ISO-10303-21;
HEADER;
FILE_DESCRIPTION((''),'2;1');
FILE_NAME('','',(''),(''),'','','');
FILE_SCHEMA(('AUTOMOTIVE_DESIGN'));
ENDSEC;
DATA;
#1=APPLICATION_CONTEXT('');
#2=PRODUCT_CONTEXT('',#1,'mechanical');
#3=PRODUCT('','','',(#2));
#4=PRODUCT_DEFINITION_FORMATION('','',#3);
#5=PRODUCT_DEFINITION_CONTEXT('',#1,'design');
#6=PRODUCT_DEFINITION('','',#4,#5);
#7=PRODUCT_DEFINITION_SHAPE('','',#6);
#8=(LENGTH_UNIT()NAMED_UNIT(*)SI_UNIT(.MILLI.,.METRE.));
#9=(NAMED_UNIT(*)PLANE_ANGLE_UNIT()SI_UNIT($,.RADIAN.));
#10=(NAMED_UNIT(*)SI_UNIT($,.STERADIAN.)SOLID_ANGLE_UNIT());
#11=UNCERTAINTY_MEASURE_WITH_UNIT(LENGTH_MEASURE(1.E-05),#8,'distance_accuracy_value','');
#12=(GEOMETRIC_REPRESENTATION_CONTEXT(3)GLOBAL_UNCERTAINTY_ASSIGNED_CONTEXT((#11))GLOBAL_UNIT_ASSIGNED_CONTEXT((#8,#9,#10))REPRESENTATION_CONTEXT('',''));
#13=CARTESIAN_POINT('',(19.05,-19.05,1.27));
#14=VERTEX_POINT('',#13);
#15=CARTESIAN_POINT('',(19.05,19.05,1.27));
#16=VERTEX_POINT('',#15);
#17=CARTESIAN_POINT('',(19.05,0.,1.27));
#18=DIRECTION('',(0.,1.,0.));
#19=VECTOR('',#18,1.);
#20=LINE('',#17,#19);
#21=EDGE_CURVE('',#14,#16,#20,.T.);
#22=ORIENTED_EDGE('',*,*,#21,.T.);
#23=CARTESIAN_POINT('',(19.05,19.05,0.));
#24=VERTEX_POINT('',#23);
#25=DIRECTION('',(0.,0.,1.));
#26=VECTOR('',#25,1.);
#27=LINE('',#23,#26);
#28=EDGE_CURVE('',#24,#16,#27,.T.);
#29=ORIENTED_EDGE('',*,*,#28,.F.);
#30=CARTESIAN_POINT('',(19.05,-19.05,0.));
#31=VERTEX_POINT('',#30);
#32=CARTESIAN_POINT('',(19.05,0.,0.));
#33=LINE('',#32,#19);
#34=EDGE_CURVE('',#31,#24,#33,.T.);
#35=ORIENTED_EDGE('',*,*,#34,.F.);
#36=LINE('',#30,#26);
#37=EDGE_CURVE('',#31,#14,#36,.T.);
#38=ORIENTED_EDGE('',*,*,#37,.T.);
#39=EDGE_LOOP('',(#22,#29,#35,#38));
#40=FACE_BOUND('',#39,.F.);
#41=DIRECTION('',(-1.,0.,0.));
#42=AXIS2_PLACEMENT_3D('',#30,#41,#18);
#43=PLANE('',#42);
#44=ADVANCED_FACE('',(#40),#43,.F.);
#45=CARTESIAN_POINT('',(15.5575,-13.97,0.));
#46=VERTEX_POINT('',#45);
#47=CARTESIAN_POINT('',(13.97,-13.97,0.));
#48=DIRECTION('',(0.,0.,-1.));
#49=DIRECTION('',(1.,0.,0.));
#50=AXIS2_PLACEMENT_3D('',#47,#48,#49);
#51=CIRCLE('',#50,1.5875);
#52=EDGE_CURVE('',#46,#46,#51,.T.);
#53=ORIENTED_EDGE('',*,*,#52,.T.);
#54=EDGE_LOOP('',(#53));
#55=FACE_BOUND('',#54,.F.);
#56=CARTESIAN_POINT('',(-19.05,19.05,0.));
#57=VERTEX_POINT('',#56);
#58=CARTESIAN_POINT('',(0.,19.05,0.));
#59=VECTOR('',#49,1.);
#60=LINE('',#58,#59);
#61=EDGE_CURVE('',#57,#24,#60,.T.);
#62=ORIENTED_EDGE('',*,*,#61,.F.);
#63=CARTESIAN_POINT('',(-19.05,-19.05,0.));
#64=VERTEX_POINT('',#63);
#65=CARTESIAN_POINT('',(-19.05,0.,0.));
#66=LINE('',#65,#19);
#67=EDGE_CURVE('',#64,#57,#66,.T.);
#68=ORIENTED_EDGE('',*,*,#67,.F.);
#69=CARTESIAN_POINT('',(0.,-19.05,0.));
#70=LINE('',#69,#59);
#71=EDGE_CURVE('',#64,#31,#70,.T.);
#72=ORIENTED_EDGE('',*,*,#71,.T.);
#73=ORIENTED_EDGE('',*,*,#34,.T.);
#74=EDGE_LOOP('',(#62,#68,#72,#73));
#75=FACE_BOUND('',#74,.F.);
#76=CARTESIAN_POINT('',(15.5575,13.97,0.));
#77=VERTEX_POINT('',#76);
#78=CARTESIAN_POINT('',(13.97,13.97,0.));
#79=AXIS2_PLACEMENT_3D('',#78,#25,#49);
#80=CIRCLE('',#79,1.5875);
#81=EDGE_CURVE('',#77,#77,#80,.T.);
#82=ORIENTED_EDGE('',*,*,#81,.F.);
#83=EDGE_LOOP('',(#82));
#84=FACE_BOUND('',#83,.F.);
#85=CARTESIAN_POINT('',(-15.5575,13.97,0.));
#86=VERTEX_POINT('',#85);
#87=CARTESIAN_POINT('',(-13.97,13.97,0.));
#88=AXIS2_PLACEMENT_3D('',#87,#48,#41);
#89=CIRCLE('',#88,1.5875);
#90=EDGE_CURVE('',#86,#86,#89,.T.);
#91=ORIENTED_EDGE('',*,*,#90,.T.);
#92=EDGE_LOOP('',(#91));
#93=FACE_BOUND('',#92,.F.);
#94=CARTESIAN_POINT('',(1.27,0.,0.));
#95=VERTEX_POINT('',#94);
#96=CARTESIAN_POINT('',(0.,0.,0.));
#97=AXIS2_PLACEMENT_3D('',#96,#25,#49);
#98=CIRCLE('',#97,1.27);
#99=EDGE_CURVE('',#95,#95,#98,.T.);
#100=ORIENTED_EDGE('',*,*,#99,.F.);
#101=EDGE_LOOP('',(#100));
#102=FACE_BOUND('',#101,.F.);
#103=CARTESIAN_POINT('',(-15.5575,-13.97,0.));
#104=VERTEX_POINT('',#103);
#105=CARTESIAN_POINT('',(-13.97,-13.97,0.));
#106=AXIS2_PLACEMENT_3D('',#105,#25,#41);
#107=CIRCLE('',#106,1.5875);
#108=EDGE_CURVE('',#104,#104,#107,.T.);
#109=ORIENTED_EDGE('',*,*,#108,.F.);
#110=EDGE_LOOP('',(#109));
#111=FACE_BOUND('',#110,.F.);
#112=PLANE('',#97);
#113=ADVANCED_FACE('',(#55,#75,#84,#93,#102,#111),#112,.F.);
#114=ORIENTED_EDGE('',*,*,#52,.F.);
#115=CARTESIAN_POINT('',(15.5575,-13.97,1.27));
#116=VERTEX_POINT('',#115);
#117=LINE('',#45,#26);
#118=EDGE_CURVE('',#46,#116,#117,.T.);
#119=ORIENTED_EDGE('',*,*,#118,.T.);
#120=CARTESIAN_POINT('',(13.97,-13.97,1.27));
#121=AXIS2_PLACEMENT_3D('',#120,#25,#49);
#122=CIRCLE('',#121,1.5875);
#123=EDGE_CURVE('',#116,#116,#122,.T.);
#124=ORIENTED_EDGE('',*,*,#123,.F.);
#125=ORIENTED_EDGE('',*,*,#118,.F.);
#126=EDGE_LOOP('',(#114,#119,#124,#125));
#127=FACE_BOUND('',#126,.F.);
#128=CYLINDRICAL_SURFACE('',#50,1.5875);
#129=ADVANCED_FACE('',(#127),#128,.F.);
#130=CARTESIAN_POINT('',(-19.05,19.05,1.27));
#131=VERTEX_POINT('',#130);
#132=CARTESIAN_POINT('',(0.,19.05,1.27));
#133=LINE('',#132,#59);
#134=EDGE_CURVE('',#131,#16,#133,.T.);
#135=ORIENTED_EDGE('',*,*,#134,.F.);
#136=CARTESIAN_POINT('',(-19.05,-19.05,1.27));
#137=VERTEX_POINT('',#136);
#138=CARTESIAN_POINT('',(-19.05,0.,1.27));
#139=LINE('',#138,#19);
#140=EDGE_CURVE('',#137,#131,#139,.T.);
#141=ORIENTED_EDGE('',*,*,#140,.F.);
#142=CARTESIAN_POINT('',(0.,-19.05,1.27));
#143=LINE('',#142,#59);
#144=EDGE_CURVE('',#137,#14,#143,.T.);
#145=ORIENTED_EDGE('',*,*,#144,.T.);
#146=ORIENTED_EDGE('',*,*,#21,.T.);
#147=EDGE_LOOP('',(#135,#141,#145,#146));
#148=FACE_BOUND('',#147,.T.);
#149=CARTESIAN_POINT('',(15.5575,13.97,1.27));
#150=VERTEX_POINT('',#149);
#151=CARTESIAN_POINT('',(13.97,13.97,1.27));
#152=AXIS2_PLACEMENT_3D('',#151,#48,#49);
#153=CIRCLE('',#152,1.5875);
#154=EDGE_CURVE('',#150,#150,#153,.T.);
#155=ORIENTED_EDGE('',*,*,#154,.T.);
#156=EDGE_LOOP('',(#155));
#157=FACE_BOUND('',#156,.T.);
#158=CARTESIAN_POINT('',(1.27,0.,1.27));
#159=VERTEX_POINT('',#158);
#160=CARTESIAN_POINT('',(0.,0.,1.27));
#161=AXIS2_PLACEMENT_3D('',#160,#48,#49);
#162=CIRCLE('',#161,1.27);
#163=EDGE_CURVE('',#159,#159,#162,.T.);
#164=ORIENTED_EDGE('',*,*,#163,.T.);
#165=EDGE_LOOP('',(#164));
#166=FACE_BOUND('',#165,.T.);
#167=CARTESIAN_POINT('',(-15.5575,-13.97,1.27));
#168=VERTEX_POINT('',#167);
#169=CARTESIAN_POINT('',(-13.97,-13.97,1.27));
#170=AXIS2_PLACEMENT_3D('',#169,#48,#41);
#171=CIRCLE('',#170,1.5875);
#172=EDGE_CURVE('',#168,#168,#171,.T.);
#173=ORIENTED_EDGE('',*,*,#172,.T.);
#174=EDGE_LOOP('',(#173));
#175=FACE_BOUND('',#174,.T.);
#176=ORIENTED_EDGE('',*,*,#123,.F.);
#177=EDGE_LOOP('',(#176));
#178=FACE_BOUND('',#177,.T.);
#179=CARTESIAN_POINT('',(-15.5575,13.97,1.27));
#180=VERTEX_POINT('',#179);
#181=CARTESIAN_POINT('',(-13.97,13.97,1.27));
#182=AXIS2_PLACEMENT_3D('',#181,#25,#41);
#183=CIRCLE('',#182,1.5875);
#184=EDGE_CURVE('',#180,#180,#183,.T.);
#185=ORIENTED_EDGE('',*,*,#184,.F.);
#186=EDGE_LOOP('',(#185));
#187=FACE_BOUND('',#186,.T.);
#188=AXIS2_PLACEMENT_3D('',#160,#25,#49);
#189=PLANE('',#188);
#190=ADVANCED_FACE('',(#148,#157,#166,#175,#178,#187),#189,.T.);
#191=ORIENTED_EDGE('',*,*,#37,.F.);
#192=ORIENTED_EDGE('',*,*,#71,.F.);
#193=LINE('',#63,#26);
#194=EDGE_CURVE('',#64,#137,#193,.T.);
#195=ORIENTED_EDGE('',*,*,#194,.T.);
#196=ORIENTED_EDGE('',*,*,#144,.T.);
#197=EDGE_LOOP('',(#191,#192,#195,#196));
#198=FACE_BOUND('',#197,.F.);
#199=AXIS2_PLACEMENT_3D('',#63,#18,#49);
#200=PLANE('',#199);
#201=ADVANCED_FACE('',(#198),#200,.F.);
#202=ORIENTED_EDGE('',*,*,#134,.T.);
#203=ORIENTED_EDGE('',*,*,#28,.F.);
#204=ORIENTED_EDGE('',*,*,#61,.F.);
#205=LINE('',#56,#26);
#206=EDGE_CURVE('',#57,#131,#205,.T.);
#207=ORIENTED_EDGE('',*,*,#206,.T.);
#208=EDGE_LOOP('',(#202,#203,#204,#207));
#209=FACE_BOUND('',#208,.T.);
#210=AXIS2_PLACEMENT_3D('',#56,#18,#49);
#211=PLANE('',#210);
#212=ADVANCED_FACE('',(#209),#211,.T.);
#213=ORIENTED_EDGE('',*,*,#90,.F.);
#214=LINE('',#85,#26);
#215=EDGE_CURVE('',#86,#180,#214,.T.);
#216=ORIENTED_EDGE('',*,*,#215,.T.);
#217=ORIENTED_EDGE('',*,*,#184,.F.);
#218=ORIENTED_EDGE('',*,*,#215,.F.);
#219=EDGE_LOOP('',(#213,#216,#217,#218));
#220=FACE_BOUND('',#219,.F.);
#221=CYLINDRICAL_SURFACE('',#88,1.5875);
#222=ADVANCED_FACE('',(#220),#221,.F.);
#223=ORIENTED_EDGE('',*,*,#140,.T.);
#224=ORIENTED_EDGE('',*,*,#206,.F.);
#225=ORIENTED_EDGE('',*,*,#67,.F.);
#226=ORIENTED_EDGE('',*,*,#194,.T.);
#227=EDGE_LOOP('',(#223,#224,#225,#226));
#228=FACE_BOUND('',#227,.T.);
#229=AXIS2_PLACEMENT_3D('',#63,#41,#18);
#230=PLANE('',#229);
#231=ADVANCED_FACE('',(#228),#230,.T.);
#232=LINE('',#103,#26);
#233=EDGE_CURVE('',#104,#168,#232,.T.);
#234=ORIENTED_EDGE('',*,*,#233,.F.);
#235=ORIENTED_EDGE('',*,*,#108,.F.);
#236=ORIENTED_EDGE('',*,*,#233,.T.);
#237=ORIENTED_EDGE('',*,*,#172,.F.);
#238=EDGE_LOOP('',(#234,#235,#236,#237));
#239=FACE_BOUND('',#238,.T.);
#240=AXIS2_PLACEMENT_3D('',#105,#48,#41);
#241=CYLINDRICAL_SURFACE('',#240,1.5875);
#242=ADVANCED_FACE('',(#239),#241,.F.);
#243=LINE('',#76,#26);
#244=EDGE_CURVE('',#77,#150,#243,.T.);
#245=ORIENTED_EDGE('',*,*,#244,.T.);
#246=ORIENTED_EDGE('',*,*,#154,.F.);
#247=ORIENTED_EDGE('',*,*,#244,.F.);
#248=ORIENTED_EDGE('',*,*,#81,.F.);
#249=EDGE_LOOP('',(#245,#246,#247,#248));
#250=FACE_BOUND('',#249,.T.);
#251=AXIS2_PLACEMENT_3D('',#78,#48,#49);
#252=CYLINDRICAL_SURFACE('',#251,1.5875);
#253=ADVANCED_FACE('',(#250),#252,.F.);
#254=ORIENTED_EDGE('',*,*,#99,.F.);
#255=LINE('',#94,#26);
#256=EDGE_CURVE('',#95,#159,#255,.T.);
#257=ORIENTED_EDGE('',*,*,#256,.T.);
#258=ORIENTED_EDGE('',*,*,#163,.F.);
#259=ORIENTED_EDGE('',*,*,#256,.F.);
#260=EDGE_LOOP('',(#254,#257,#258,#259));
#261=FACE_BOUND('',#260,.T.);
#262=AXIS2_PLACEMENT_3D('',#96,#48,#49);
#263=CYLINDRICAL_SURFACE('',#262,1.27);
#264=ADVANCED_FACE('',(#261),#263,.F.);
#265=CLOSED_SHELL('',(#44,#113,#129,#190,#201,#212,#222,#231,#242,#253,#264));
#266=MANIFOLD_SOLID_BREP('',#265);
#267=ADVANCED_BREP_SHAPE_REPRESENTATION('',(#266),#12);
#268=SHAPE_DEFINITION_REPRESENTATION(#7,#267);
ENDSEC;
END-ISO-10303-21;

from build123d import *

# Parameters (mm, degrees)
F0_W     = 38.1
F0_H     = 38.1
F1_DEPTH = 1.27
F2_R     = 1.27
F3_DEPTH = 25.4
F4_R     = 1.5875
F5_DEPTH = 25.4


with BuildPart() as f1:
    # F0 (on Top) → F1 (new body)
    with BuildSketch(Plane.XY):
        Rectangle(F0_W, F0_H)
    extrude(amount=F1_DEPTH)

    # F2 (on Top) → F3 (cut)
    with BuildSketch(Plane.XY):
        Circle(F2_R)
    extrude(amount=F3_DEPTH, mode=Mode.SUBTRACT)

    # F4 (on Top) → F5 (cut)
    with BuildSketch(Plane.XY):
        with Locations((13.97, 13.97)):
            Circle(F4_R)
    extrude(amount=F5_DEPTH, mode=Mode.SUBTRACT)

    # F6: F1 across plane


with BuildPart() as f1_1:
    add(f1.part)
    add(f1.part.mirror(Plane.YZ), mode=Mode.INTERSECT)

    # F7: F1 across plane


with BuildPart() as f1_2:
    add(f1_1.part)
    add(f1_1.part.mirror(Plane.XZ), mode=Mode.INTERSECT)


solid = f1_2.part
